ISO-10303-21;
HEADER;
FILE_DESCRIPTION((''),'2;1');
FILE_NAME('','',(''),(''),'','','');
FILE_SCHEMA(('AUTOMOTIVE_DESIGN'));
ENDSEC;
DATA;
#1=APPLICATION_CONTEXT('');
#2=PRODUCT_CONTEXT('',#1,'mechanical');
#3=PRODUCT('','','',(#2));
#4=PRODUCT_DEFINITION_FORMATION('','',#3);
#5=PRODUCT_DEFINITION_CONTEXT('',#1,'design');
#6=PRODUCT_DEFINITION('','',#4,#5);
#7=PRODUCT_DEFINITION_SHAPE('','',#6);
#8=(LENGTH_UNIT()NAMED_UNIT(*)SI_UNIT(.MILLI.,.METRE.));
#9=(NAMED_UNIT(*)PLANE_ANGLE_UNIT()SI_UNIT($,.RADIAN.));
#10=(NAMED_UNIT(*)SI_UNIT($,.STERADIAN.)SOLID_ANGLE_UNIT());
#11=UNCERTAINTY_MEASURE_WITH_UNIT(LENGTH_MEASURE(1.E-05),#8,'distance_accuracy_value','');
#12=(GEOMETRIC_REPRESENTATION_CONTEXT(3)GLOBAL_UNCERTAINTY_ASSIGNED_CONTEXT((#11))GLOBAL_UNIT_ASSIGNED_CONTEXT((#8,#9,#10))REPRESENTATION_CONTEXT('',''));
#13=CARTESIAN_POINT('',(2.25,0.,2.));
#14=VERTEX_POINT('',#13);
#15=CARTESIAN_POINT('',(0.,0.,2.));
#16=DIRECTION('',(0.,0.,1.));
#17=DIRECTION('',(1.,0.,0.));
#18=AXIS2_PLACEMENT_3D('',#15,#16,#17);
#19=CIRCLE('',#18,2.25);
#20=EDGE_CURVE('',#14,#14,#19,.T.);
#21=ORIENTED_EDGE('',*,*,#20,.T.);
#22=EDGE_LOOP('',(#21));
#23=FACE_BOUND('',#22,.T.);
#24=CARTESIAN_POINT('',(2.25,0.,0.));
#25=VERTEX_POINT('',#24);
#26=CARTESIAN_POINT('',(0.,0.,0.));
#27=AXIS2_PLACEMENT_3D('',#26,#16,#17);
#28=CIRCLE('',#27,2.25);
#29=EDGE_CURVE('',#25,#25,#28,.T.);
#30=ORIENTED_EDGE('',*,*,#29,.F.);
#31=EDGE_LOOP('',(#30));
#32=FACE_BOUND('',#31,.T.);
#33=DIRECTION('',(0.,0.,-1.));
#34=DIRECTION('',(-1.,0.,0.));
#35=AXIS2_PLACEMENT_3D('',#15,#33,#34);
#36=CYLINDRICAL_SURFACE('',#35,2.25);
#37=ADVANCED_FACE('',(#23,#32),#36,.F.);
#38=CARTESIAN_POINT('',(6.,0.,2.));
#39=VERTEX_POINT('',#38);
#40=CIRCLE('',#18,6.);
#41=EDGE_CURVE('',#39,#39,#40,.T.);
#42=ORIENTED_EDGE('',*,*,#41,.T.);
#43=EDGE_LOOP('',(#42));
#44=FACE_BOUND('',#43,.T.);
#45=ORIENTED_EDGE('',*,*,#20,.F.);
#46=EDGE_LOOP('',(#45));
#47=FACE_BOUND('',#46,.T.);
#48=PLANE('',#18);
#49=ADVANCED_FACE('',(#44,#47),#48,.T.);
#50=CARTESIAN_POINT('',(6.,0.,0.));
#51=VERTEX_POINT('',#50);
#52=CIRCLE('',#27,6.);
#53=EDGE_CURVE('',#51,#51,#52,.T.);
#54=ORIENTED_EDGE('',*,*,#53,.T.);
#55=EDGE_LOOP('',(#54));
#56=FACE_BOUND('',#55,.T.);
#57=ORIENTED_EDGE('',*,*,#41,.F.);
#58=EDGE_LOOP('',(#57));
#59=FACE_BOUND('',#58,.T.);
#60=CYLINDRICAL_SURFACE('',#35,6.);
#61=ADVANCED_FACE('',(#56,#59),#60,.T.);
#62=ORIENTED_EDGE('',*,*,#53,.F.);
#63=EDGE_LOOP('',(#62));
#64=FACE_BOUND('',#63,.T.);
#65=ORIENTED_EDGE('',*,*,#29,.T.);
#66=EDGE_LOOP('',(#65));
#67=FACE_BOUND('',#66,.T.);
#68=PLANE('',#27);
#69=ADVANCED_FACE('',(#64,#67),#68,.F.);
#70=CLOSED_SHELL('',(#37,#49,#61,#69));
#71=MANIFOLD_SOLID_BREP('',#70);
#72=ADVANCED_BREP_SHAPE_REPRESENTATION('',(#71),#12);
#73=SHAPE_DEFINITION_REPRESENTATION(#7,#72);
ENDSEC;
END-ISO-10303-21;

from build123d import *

# Parameters (mm, degrees)
SKETCH1_R           = 6
SKETCH1_R_2         = 2.25
BOSS_EXTRUDE1_DEPTH = 2


with BuildPart() as part:
    # Sketch1 → Boss-Extrude1 (new body)
    with BuildSketch(Plane.XY):
        Circle(SKETCH1_R)
        Circle(SKETCH1_R_2, mode=Mode.SUBTRACT)
    extrude(amount=BOSS_EXTRUDE1_DEPTH)


solid = part.part
